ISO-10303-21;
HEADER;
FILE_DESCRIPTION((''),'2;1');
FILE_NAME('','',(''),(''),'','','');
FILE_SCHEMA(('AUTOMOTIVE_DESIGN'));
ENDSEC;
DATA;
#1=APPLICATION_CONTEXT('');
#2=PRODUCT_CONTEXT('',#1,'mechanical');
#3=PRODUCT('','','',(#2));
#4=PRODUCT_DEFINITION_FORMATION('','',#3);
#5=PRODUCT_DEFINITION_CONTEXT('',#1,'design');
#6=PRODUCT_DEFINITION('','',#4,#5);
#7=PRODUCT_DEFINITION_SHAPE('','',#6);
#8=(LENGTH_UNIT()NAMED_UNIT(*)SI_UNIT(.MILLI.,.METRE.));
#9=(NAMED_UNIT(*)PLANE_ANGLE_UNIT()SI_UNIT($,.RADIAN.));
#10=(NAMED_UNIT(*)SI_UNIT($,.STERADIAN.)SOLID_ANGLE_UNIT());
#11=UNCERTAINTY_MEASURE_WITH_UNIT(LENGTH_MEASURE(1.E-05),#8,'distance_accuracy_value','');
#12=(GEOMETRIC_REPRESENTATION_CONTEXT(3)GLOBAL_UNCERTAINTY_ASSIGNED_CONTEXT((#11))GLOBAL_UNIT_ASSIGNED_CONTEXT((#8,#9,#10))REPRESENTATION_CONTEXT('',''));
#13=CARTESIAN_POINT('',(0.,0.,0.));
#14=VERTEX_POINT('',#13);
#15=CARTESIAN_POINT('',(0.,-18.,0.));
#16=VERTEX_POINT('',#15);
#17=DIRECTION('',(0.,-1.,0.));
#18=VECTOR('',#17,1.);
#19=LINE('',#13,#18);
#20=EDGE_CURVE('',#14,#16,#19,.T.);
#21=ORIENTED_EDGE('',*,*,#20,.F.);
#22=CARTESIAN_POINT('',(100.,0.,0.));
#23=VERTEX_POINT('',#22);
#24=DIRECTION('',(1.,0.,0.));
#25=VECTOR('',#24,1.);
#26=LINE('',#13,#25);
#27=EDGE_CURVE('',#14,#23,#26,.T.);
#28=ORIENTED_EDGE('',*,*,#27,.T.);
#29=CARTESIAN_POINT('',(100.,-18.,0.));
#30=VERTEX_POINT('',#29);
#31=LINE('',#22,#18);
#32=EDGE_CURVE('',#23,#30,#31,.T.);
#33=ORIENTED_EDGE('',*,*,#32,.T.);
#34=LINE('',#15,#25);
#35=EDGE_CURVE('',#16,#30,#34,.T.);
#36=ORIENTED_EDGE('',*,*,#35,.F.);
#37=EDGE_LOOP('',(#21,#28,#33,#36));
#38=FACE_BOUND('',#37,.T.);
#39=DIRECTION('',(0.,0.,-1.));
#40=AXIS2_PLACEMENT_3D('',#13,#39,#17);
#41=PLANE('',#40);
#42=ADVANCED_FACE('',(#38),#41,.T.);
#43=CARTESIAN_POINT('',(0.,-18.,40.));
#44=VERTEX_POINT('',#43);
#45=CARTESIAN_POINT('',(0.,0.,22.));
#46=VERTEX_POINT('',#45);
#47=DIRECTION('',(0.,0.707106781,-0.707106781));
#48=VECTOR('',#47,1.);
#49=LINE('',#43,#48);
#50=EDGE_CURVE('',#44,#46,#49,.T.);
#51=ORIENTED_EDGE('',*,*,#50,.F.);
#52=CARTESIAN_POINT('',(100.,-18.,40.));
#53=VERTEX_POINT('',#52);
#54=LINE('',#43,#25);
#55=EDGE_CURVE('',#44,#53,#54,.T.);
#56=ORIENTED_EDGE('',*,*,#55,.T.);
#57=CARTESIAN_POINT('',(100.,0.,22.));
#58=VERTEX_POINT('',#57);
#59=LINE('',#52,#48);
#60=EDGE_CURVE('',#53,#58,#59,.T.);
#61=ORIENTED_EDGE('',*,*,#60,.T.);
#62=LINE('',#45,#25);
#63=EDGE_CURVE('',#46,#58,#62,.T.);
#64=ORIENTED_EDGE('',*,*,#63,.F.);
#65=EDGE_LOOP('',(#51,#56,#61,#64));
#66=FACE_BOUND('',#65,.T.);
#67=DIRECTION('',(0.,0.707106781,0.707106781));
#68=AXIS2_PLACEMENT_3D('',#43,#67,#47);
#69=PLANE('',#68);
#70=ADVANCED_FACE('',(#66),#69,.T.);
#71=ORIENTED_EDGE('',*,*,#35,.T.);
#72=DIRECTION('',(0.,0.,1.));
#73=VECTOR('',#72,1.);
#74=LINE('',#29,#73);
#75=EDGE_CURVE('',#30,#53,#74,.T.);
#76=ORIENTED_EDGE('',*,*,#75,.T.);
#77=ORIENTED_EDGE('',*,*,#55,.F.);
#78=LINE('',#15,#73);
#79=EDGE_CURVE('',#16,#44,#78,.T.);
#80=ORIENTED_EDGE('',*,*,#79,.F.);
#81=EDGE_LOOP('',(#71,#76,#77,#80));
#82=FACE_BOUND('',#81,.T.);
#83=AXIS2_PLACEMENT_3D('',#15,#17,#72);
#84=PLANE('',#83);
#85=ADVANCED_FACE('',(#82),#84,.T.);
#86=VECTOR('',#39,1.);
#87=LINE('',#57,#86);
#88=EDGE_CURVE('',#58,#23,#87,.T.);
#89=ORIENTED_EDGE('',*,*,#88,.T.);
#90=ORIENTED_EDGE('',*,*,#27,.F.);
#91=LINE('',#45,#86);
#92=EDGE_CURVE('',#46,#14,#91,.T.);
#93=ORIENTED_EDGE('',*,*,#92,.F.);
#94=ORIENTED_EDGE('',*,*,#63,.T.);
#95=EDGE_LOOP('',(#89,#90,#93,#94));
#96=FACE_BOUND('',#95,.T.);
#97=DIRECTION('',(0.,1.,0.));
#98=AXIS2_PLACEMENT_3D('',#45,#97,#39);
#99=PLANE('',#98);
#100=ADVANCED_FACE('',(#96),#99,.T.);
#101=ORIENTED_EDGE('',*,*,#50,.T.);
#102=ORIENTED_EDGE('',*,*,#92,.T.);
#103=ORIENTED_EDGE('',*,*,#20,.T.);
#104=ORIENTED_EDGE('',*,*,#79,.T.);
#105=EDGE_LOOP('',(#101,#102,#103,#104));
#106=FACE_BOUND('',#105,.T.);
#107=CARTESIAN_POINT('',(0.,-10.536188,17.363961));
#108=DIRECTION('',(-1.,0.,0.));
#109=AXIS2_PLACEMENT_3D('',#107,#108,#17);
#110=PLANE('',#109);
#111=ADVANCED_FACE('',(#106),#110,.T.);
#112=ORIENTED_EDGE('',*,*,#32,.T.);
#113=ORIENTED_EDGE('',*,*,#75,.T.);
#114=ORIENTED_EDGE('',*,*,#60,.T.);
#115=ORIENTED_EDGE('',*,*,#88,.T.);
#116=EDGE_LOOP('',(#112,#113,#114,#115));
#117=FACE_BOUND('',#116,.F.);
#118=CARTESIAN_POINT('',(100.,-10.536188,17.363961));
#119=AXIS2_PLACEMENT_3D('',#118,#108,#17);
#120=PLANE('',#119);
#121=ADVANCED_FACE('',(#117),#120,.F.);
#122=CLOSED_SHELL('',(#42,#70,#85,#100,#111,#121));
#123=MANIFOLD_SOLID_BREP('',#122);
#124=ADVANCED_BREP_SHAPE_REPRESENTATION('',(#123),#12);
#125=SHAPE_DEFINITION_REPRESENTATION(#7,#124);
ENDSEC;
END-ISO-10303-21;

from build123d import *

# Parameters (mm, degrees)
PAD_DEPTH = 100


with BuildPart() as part:
    # Sketch → Pad (new body)
    with BuildSketch(Plane.YZ):
        Polygon((0, 0), (-18, 0), (-18, 40), (0, 22), align=None)
    extrude(amount=PAD_DEPTH)


solid = part.part
